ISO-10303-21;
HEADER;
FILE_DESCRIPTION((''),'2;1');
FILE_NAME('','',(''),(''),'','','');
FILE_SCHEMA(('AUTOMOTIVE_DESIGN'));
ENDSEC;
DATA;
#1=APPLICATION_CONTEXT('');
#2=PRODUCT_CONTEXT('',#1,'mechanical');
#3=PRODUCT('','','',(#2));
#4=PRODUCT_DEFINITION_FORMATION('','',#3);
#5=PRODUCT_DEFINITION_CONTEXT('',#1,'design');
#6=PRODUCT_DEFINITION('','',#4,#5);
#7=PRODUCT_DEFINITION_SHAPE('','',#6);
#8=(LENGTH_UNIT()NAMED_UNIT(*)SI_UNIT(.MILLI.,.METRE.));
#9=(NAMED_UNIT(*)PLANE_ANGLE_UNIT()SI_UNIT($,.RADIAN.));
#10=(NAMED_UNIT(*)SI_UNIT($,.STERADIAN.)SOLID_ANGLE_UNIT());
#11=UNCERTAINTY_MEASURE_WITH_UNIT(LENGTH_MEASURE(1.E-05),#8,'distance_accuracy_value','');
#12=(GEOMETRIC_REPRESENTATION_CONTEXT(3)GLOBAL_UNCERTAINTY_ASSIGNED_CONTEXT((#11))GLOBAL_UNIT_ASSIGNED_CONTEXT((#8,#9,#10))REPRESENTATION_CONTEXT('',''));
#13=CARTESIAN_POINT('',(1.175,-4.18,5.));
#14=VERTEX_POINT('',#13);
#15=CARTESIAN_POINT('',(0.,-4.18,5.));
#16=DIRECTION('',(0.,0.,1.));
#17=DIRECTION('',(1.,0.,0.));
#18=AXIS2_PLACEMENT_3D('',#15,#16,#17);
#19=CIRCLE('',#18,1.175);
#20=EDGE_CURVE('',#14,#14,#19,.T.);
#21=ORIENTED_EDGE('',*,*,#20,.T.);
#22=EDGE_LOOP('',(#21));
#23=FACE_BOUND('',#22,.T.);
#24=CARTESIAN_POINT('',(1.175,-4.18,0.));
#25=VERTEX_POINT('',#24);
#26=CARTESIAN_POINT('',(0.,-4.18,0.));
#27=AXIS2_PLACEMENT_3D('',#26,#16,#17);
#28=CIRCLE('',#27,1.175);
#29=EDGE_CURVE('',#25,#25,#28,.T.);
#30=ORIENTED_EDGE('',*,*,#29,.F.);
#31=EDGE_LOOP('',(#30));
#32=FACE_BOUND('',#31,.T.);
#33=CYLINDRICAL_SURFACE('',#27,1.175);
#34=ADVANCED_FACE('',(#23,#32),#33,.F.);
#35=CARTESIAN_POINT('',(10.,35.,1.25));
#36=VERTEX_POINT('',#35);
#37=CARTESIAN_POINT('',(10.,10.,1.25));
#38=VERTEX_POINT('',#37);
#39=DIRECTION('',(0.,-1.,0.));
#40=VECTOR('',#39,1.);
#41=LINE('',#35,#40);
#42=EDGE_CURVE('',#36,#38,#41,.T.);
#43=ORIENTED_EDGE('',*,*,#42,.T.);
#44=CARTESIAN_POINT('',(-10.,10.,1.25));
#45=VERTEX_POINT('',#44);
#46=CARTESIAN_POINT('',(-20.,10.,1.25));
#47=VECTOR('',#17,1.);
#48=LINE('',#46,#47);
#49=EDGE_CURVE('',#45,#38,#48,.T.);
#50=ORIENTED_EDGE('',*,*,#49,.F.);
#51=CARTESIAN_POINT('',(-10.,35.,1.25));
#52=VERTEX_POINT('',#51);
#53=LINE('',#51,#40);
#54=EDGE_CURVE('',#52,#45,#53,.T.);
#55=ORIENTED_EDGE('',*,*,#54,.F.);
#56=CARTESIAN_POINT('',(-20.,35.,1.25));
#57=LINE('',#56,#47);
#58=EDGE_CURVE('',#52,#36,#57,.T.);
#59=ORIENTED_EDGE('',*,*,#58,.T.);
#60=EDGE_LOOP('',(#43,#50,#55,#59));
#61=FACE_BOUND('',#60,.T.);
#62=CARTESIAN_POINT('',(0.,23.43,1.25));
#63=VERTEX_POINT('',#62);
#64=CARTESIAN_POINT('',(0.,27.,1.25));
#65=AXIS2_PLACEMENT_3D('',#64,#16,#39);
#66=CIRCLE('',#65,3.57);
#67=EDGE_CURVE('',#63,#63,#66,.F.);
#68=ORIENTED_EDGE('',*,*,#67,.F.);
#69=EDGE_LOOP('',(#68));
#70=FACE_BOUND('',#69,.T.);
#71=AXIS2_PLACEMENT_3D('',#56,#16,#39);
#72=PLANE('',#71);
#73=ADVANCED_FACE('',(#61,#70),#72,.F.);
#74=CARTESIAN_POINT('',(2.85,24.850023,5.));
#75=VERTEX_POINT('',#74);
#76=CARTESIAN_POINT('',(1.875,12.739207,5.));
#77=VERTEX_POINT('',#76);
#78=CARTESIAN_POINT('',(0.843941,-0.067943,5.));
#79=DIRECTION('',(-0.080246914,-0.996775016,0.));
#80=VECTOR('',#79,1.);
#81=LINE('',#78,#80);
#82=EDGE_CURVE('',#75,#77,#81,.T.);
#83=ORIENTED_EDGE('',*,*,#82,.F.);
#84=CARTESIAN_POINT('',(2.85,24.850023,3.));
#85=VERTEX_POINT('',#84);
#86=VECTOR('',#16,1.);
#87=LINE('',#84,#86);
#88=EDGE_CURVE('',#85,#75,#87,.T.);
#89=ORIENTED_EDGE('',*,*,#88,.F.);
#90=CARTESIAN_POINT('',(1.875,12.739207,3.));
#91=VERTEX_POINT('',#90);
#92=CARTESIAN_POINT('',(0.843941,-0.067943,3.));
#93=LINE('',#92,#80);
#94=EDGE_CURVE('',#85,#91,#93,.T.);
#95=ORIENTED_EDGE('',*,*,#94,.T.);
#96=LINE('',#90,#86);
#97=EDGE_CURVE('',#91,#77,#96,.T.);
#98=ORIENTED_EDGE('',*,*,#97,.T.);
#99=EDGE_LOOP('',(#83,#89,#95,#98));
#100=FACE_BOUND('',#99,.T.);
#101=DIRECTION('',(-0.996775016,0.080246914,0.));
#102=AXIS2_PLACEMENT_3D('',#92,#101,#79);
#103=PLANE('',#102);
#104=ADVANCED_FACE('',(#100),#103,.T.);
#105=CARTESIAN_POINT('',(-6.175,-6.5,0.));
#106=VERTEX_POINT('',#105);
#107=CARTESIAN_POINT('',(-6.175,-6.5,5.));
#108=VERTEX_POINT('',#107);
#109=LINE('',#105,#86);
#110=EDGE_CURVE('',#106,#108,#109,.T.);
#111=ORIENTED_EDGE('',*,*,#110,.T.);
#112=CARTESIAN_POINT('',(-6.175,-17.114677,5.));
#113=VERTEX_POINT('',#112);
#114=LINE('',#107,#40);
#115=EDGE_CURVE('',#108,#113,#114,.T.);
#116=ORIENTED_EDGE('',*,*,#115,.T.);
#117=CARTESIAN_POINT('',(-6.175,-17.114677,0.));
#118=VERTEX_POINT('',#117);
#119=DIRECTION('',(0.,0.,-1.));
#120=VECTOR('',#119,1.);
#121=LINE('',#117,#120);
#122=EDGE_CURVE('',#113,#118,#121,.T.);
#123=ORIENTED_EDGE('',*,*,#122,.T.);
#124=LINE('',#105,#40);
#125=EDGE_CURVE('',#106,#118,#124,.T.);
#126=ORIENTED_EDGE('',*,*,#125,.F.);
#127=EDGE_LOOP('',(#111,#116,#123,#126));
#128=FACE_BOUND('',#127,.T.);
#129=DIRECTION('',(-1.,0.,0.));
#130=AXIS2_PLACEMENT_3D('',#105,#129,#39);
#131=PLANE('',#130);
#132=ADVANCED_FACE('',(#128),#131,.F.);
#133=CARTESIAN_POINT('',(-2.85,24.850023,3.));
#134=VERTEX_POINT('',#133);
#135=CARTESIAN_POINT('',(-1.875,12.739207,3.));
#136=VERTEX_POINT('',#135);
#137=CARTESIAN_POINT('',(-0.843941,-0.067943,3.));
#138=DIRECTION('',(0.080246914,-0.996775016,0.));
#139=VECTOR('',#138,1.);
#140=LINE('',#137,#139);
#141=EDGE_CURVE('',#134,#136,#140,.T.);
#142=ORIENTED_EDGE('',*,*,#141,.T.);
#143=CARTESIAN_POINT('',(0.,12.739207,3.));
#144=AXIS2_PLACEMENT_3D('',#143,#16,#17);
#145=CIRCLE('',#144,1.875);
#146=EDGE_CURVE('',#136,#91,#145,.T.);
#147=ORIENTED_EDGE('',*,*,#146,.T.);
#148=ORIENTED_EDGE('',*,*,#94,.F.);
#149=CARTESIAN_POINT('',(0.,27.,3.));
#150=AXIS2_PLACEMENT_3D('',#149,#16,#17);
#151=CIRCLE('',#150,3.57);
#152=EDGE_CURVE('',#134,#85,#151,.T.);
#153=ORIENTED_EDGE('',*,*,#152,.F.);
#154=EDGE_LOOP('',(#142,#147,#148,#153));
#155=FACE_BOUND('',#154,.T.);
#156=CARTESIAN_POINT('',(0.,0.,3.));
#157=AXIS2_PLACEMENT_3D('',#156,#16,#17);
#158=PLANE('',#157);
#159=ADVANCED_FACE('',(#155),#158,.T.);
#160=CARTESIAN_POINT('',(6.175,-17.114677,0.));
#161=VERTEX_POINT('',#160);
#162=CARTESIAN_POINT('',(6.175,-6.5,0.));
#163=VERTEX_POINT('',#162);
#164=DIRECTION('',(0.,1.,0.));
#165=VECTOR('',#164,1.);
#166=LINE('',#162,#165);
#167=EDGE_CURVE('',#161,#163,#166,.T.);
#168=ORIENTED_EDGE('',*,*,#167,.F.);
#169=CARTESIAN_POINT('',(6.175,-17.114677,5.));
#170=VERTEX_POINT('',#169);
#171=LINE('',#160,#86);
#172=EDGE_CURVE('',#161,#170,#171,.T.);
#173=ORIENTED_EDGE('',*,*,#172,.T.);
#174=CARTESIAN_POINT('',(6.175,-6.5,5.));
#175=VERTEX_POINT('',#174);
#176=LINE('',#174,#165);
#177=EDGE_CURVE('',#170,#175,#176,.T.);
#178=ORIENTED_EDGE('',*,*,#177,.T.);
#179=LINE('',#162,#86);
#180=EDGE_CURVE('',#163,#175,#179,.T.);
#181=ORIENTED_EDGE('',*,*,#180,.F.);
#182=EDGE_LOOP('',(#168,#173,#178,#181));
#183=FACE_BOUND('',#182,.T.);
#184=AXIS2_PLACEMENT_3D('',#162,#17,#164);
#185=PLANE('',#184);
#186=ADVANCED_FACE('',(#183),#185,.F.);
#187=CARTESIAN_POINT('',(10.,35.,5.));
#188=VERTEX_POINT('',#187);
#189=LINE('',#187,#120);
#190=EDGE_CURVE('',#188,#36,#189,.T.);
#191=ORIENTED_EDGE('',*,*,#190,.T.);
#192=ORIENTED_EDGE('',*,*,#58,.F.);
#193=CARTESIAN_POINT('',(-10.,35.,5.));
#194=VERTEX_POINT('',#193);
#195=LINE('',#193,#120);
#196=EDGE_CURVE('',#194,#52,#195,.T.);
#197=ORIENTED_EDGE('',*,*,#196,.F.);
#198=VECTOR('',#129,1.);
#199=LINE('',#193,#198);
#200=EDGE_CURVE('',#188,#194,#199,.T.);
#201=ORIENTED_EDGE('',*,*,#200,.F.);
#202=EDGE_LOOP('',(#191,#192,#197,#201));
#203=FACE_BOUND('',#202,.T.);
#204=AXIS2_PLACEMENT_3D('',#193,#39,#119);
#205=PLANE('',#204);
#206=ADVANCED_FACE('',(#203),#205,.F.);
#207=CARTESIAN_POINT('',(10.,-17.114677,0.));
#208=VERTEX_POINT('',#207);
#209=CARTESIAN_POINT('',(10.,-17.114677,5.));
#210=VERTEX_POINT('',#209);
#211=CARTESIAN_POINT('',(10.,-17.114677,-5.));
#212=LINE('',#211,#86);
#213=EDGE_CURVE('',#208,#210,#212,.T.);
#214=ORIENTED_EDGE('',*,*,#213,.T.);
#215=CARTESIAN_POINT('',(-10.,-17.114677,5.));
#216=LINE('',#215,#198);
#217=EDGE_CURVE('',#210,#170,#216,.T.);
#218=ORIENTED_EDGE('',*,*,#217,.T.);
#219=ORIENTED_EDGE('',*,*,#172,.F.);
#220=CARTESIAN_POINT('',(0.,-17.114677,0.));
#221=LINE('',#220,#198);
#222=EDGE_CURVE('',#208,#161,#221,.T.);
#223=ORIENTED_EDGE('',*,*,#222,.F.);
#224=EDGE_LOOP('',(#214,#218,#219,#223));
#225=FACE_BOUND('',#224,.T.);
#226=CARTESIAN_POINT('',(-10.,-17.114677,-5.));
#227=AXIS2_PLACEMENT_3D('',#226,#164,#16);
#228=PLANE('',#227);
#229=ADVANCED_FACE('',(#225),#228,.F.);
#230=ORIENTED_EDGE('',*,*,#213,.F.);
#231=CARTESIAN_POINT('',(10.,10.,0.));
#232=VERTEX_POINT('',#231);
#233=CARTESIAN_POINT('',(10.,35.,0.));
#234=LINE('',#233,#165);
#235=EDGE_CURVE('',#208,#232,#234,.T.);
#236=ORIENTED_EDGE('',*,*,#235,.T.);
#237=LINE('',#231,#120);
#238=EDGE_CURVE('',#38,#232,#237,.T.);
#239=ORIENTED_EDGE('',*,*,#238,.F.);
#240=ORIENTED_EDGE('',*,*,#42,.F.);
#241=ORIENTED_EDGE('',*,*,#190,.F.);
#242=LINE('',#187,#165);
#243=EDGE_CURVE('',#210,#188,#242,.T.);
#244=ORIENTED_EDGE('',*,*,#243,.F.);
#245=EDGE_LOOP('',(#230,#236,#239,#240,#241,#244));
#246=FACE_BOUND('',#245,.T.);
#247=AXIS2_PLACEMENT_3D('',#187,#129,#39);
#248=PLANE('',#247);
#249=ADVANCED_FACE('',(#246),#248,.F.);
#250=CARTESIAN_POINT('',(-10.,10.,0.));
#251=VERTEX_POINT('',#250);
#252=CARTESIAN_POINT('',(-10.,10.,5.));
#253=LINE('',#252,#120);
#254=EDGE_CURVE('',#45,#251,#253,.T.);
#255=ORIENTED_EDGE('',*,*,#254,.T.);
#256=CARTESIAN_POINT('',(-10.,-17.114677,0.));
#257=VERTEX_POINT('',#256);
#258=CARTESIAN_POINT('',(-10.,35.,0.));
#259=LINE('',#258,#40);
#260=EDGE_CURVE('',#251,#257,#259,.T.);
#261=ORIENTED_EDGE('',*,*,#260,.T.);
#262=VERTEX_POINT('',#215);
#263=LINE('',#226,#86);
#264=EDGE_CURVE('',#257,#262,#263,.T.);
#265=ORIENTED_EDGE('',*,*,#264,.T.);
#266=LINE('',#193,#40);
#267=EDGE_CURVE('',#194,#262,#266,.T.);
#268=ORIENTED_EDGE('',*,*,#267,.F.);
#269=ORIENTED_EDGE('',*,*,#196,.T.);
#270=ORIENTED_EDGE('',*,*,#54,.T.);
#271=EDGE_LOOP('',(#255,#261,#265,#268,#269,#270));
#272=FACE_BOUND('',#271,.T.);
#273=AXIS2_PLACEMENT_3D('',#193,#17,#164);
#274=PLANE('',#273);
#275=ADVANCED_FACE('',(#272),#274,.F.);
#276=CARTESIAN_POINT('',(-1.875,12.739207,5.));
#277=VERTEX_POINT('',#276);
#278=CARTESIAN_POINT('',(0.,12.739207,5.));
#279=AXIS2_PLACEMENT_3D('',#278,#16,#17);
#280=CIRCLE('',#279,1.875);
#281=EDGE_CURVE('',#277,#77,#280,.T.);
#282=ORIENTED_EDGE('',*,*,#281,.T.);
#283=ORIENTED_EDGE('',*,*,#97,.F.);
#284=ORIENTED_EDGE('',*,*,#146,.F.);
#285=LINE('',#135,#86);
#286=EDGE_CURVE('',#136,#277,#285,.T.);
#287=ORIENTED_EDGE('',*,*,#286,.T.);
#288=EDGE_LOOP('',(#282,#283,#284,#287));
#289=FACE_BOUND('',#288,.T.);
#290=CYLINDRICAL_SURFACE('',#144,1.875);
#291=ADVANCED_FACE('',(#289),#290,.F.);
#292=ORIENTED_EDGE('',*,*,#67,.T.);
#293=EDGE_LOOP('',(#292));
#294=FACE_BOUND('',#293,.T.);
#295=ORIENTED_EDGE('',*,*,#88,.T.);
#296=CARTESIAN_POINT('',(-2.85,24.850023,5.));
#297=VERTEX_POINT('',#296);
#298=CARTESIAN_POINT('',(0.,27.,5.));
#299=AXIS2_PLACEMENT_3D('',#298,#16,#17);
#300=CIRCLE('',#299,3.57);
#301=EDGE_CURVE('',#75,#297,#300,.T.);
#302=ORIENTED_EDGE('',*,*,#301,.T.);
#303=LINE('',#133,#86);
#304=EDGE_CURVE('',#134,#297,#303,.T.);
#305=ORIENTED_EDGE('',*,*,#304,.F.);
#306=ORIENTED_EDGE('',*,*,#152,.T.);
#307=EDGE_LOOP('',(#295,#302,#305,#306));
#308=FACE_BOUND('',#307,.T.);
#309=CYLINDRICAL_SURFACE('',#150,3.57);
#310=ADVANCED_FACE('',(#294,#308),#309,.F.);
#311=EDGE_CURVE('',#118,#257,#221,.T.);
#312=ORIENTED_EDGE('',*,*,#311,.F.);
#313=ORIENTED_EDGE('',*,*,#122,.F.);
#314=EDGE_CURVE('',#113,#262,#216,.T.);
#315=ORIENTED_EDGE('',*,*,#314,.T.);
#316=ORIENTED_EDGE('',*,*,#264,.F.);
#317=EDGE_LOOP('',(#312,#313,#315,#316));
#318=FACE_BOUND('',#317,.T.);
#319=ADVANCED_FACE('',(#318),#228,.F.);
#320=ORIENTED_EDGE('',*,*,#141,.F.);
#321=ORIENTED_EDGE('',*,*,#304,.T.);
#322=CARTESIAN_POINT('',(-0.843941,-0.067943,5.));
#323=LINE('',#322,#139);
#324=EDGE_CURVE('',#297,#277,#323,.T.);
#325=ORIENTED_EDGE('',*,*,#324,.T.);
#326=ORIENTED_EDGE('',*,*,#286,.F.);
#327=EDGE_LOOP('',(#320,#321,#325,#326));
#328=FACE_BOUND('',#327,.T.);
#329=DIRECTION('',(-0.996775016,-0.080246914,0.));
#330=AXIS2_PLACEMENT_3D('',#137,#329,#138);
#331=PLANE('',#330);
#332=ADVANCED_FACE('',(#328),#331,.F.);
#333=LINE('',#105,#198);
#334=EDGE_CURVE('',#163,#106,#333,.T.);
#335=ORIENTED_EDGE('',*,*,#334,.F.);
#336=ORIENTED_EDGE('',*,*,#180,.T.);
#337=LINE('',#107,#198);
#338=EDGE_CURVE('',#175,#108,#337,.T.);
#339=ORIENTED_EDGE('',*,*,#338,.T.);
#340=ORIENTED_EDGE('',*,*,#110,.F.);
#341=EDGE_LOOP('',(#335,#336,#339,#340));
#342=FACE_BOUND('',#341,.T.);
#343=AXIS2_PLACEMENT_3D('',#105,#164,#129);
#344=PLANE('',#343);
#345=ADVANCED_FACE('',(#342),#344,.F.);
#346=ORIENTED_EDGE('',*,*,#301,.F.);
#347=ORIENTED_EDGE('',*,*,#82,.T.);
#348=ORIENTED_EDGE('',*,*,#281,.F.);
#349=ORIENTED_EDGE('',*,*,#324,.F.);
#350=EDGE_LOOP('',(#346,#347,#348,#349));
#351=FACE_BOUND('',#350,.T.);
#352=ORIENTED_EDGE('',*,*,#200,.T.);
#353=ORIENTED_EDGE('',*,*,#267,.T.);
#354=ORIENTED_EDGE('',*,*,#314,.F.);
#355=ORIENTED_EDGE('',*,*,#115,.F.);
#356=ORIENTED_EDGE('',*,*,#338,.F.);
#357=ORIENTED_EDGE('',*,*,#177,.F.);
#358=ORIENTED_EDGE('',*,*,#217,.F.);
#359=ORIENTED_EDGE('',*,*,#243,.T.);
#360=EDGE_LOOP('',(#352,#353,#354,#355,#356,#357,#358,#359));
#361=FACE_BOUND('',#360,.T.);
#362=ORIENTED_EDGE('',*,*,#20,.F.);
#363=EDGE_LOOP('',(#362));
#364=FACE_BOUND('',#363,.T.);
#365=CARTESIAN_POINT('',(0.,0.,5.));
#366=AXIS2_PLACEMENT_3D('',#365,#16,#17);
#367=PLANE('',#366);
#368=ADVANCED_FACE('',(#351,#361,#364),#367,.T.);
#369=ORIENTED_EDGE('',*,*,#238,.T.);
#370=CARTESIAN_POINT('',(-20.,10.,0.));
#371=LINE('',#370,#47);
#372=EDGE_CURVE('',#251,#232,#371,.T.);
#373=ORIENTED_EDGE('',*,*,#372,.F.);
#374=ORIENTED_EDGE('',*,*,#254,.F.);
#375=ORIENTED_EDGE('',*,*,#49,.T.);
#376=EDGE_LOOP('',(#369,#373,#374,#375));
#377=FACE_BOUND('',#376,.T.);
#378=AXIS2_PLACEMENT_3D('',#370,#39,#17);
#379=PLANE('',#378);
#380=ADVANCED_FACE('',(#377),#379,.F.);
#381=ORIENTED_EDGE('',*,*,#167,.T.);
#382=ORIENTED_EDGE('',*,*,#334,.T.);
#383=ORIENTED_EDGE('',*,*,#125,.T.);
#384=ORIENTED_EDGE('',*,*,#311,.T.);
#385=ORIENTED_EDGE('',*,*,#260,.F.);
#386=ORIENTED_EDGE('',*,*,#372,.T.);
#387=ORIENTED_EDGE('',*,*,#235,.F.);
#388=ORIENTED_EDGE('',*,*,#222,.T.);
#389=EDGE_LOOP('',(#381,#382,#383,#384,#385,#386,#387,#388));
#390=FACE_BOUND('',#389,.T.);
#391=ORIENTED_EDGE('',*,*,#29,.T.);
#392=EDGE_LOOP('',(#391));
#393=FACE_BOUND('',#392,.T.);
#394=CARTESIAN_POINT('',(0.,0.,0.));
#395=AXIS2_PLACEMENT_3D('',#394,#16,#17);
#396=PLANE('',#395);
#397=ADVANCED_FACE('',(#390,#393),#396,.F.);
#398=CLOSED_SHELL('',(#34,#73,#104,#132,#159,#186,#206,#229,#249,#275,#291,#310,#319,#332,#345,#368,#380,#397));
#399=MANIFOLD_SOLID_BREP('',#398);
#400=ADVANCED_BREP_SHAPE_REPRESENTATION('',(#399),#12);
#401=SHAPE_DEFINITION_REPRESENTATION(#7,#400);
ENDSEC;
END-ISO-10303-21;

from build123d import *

# Parameters (mm, degrees)
SKETCH3_W           = 20
SKETCH3_H           = 70
BOSS_EXTRUDE3_DEPTH = 5
CUT_EXTRUDE2_DEPTH  = 2
SKETCH6_R           = 3.57
CUT_EXTRUDE3_DEPTH  = 3
SKETCH7_R           = 1.175
SKETCH7_W           = 12.35
SKETCH7_H           = 23
CUT_EXTRUDE4_DEPTH  = 5
SKETCH8_W           = 1.25
SKETCH8_H           = 25
CUT_EXTRUDE5_DEPTH  = 30
SKETCH10_W          = 20
SKETCH10_H          = 17.885322835
CUT_EXTRUDE6_DEPTH  = 10


with BuildPart() as part:
    # Sketch3 → Boss-Extrude3 (new body)
    with BuildSketch(Plane.XY):
        Rectangle(SKETCH3_W, SKETCH3_H)
    extrude(amount=BOSS_EXTRUDE3_DEPTH)

    # Sketch4 → Cut-Extrude2 (cut)
    with BuildSketch(Plane.XY.offset(5)):
        with BuildLine():
            Line((-2.85, 24.850023256), (-1.875, 12.739206809))
            Line((-1.875, 12.739206809), (1.875, 12.739206809))
            Line((1.875, 12.739206809), (2.85, 24.850023256))
            ThreePointArc((2.85, 24.850023256), (0, 23.43), (-2.85, 24.850023256))
        make_face()
        with BuildLine():
            Line((1.875, 12.739206809), (-1.875, 12.739206809))
            ThreePointArc((-1.875, 12.739206809), (0, 10.864206809), (1.875, 12.739206809))
        make_face()
        with BuildLine():
            ThreePointArc((3.57, 27), (-1.133666618, 30.385217866), (-2.85, 24.850023256))
            Line((-2.85, 24.850023256), (2.85, 24.850023256))
            ThreePointArc((2.85, 24.850023256), (3.385217866, 25.866333382), (3.57, 27))
        make_face()
        with BuildLine():
            Line((2.85, 24.850023256), (-2.85, 24.850023256))
            ThreePointArc((-2.85, 24.850023256), (0, 23.43), (2.85, 24.850023256))
        make_face()
    extrude(amount=-CUT_EXTRUDE2_DEPTH, mode=Mode.SUBTRACT)

    # Sketch6 → Cut-Extrude3 (cut)
    with BuildSketch(Plane.XY.offset(3)):
        with Locations((0, 27)):
            Circle(SKETCH6_R)
    extrude(amount=-CUT_EXTRUDE3_DEPTH, mode=Mode.SUBTRACT)

    # Sketch7 → Cut-Extrude4 (cut)
    with BuildSketch(Plane.XY.offset(5)):
        with Locations((0, -4.18)):
            Circle(SKETCH7_R)
        with Locations((0, -31.82)):
            Circle(SKETCH7_R)
        with Locations((0, -18)):
            Rectangle(SKETCH7_W, SKETCH7_H)
    extrude(amount=-CUT_EXTRUDE4_DEPTH, mode=Mode.SUBTRACT)

    # Sketch8 → Cut-Extrude5 (cut)
    with BuildSketch(Plane(origin=(10, 0, 0), x_dir=(0, 0, -1), z_dir=(1, 0, 0))):
        with Locations((-0.625, 22.5)):
            Rectangle(SKETCH8_W, SKETCH8_H)
    extrude(amount=-CUT_EXTRUDE5_DEPTH, mode=Mode.SUBTRACT)

    # Sketch10 → Cut-Extrude6 (cut)
    with BuildSketch(Plane.XY.offset(5)):
        with Locations((0, -26.057338583)):
            Rectangle(SKETCH10_W, SKETCH10_H)
    extrude(amount=-CUT_EXTRUDE6_DEPTH, mode=Mode.SUBTRACT)


solid = part.part
